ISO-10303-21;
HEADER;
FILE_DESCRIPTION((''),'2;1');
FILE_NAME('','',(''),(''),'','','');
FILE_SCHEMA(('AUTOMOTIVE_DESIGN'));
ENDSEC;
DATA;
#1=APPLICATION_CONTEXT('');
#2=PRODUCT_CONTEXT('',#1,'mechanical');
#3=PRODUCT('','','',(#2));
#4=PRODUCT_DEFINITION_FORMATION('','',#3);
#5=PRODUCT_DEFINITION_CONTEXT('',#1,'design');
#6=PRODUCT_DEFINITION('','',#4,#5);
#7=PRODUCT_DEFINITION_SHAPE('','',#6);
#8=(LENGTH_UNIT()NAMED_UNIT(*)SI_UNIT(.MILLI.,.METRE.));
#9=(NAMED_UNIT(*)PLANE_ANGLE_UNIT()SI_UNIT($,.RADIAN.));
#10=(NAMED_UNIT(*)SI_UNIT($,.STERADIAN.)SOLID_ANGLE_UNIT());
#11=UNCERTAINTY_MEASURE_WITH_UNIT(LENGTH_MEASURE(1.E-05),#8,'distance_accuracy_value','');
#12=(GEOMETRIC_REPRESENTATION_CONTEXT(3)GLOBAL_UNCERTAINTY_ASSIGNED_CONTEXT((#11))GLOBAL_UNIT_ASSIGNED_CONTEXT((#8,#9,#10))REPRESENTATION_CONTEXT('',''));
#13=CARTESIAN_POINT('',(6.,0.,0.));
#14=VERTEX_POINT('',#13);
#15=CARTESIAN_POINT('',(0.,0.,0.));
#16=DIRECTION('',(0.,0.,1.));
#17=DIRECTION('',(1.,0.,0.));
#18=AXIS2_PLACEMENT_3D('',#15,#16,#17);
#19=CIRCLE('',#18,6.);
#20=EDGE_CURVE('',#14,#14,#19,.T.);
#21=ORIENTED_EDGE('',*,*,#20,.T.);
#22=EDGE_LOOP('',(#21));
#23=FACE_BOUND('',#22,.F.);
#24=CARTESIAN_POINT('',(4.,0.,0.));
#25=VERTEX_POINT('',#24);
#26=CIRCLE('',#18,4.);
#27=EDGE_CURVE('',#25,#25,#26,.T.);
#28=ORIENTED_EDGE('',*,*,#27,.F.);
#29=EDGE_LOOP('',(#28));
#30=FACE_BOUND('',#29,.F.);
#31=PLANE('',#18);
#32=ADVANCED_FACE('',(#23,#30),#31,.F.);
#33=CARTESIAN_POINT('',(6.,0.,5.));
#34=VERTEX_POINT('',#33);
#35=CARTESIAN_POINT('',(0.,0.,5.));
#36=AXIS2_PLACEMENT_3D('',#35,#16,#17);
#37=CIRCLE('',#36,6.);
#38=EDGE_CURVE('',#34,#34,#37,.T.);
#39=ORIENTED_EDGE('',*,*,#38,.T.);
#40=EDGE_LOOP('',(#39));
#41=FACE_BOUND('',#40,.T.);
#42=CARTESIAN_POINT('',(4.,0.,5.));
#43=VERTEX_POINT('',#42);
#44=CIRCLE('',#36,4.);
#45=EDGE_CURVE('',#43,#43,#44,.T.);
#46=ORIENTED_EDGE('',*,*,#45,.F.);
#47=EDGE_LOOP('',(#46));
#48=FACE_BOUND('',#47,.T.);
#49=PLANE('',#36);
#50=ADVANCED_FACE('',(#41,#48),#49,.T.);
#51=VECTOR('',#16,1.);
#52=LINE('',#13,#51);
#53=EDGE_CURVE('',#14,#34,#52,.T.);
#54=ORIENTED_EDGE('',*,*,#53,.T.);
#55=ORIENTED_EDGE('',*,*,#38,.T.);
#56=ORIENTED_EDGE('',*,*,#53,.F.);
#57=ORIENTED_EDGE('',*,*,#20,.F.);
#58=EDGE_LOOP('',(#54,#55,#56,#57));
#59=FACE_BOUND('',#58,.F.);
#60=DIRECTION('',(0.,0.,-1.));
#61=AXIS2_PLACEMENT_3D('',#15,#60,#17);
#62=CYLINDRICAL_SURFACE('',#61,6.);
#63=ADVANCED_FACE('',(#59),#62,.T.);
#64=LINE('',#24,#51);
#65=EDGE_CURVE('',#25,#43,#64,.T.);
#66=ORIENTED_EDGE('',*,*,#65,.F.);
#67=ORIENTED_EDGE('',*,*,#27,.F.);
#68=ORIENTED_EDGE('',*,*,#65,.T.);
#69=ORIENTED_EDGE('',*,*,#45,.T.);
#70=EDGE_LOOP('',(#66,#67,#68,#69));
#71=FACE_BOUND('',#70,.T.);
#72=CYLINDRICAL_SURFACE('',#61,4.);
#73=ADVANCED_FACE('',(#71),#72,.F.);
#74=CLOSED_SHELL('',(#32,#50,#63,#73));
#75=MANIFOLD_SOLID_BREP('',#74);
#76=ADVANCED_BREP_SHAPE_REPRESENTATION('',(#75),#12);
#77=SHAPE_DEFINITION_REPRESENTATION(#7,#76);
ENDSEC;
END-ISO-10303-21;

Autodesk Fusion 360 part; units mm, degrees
sketch "Sketch1" plane through (0, 0, 0) normal (0, 0, 1) x (1, 0, 0)
  circle A0 centre (0, 0) radius 4
  circle A1 centre (0, 0) radius 6
  dimension "d1" = 8
  dimension "d2" = 12
extrude "Extrude1" add sketch "Sketch1" along normal blind 5 makes body 1
copy_body "Body->Comp1" bodies 1 removing the originals makes body 2 in component "5mm Spacer - 8mm Shaft"
component "5mm Spacer - 8mm Shaft" placed x (1, 0, 0) y (0, 1, 0) z (0, 0, 1) at (0, 0, 0)
